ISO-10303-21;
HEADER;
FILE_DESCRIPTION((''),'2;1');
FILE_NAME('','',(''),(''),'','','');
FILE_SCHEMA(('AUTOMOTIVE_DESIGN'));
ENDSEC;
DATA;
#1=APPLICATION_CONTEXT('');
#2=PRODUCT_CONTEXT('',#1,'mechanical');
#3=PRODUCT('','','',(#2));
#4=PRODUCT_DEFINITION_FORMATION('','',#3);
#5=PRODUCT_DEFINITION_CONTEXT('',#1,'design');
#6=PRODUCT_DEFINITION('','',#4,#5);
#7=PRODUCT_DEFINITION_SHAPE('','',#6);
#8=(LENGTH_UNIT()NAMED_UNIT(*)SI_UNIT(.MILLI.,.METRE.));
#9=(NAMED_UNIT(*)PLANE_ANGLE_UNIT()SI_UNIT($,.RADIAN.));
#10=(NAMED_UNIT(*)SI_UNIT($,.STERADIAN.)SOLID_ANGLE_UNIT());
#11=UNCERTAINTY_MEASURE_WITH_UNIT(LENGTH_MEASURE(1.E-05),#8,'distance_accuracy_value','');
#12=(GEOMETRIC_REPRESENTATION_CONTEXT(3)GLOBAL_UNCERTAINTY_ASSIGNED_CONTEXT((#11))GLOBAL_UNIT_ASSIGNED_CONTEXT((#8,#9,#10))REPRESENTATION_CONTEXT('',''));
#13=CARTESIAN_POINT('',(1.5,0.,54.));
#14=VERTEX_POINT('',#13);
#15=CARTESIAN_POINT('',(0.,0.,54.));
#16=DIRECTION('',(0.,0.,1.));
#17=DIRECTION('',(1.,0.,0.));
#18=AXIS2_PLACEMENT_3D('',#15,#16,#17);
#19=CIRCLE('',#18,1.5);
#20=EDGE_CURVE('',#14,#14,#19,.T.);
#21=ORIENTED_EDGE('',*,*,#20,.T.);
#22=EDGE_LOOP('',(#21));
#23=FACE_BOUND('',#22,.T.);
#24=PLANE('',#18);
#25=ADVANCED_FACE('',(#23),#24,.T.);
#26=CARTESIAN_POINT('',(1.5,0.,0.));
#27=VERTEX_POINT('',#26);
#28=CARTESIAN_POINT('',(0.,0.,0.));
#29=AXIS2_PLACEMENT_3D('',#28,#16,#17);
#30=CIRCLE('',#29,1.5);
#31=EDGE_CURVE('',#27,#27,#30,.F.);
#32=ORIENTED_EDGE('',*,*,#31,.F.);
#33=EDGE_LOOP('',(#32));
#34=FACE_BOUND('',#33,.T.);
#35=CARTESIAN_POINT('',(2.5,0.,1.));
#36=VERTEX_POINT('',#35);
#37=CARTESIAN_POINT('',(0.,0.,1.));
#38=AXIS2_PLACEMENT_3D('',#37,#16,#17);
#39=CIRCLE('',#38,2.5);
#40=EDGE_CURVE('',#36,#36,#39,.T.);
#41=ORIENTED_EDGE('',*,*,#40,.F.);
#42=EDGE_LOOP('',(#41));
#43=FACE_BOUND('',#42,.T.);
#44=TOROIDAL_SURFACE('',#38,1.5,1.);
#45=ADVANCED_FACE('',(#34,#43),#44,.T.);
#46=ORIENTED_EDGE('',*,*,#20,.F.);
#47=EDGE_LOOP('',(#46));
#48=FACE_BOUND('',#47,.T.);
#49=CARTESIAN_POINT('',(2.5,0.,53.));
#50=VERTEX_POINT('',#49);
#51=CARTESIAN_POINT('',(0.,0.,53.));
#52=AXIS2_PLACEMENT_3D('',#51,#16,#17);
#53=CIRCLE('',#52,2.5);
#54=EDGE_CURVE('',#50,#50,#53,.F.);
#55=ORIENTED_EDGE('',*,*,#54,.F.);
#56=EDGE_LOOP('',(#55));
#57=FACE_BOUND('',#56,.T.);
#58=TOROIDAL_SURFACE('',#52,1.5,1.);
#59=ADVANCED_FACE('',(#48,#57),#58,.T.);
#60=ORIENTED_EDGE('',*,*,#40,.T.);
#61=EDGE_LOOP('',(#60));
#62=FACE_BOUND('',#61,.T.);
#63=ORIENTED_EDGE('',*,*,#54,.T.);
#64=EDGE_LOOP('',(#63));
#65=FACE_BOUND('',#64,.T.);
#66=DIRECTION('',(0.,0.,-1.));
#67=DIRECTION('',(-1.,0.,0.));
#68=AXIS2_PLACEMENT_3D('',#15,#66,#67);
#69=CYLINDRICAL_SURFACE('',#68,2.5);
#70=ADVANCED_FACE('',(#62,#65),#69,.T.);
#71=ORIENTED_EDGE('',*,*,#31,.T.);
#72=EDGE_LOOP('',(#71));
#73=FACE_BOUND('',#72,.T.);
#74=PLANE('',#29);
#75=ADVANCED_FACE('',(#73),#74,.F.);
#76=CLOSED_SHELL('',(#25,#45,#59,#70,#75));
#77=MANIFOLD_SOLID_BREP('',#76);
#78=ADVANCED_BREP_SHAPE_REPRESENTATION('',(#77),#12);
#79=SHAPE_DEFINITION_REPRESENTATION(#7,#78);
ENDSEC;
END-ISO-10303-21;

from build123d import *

# Parameters (mm, degrees)
SKETCH1_R           = 2.5
BOSS_EXTRUDE1_DEPTH = 54
FILLET1_R           = 1


with BuildPart() as part:
    # Sketch1 → Boss-Extrude1 (new body)
    with BuildSketch(Plane.XY):
        Circle(SKETCH1_R)
    extrude(amount=BOSS_EXTRUDE1_DEPTH)

    # Fillet1
    fillet1_edges = [part.edges().sort_by_distance(p)[0] for p in [
        (-2.5, 0, 0),
        (-2.5, 0, 54),
    ]]
    fillet(fillet1_edges, radius=FILLET1_R)


solid = part.part
